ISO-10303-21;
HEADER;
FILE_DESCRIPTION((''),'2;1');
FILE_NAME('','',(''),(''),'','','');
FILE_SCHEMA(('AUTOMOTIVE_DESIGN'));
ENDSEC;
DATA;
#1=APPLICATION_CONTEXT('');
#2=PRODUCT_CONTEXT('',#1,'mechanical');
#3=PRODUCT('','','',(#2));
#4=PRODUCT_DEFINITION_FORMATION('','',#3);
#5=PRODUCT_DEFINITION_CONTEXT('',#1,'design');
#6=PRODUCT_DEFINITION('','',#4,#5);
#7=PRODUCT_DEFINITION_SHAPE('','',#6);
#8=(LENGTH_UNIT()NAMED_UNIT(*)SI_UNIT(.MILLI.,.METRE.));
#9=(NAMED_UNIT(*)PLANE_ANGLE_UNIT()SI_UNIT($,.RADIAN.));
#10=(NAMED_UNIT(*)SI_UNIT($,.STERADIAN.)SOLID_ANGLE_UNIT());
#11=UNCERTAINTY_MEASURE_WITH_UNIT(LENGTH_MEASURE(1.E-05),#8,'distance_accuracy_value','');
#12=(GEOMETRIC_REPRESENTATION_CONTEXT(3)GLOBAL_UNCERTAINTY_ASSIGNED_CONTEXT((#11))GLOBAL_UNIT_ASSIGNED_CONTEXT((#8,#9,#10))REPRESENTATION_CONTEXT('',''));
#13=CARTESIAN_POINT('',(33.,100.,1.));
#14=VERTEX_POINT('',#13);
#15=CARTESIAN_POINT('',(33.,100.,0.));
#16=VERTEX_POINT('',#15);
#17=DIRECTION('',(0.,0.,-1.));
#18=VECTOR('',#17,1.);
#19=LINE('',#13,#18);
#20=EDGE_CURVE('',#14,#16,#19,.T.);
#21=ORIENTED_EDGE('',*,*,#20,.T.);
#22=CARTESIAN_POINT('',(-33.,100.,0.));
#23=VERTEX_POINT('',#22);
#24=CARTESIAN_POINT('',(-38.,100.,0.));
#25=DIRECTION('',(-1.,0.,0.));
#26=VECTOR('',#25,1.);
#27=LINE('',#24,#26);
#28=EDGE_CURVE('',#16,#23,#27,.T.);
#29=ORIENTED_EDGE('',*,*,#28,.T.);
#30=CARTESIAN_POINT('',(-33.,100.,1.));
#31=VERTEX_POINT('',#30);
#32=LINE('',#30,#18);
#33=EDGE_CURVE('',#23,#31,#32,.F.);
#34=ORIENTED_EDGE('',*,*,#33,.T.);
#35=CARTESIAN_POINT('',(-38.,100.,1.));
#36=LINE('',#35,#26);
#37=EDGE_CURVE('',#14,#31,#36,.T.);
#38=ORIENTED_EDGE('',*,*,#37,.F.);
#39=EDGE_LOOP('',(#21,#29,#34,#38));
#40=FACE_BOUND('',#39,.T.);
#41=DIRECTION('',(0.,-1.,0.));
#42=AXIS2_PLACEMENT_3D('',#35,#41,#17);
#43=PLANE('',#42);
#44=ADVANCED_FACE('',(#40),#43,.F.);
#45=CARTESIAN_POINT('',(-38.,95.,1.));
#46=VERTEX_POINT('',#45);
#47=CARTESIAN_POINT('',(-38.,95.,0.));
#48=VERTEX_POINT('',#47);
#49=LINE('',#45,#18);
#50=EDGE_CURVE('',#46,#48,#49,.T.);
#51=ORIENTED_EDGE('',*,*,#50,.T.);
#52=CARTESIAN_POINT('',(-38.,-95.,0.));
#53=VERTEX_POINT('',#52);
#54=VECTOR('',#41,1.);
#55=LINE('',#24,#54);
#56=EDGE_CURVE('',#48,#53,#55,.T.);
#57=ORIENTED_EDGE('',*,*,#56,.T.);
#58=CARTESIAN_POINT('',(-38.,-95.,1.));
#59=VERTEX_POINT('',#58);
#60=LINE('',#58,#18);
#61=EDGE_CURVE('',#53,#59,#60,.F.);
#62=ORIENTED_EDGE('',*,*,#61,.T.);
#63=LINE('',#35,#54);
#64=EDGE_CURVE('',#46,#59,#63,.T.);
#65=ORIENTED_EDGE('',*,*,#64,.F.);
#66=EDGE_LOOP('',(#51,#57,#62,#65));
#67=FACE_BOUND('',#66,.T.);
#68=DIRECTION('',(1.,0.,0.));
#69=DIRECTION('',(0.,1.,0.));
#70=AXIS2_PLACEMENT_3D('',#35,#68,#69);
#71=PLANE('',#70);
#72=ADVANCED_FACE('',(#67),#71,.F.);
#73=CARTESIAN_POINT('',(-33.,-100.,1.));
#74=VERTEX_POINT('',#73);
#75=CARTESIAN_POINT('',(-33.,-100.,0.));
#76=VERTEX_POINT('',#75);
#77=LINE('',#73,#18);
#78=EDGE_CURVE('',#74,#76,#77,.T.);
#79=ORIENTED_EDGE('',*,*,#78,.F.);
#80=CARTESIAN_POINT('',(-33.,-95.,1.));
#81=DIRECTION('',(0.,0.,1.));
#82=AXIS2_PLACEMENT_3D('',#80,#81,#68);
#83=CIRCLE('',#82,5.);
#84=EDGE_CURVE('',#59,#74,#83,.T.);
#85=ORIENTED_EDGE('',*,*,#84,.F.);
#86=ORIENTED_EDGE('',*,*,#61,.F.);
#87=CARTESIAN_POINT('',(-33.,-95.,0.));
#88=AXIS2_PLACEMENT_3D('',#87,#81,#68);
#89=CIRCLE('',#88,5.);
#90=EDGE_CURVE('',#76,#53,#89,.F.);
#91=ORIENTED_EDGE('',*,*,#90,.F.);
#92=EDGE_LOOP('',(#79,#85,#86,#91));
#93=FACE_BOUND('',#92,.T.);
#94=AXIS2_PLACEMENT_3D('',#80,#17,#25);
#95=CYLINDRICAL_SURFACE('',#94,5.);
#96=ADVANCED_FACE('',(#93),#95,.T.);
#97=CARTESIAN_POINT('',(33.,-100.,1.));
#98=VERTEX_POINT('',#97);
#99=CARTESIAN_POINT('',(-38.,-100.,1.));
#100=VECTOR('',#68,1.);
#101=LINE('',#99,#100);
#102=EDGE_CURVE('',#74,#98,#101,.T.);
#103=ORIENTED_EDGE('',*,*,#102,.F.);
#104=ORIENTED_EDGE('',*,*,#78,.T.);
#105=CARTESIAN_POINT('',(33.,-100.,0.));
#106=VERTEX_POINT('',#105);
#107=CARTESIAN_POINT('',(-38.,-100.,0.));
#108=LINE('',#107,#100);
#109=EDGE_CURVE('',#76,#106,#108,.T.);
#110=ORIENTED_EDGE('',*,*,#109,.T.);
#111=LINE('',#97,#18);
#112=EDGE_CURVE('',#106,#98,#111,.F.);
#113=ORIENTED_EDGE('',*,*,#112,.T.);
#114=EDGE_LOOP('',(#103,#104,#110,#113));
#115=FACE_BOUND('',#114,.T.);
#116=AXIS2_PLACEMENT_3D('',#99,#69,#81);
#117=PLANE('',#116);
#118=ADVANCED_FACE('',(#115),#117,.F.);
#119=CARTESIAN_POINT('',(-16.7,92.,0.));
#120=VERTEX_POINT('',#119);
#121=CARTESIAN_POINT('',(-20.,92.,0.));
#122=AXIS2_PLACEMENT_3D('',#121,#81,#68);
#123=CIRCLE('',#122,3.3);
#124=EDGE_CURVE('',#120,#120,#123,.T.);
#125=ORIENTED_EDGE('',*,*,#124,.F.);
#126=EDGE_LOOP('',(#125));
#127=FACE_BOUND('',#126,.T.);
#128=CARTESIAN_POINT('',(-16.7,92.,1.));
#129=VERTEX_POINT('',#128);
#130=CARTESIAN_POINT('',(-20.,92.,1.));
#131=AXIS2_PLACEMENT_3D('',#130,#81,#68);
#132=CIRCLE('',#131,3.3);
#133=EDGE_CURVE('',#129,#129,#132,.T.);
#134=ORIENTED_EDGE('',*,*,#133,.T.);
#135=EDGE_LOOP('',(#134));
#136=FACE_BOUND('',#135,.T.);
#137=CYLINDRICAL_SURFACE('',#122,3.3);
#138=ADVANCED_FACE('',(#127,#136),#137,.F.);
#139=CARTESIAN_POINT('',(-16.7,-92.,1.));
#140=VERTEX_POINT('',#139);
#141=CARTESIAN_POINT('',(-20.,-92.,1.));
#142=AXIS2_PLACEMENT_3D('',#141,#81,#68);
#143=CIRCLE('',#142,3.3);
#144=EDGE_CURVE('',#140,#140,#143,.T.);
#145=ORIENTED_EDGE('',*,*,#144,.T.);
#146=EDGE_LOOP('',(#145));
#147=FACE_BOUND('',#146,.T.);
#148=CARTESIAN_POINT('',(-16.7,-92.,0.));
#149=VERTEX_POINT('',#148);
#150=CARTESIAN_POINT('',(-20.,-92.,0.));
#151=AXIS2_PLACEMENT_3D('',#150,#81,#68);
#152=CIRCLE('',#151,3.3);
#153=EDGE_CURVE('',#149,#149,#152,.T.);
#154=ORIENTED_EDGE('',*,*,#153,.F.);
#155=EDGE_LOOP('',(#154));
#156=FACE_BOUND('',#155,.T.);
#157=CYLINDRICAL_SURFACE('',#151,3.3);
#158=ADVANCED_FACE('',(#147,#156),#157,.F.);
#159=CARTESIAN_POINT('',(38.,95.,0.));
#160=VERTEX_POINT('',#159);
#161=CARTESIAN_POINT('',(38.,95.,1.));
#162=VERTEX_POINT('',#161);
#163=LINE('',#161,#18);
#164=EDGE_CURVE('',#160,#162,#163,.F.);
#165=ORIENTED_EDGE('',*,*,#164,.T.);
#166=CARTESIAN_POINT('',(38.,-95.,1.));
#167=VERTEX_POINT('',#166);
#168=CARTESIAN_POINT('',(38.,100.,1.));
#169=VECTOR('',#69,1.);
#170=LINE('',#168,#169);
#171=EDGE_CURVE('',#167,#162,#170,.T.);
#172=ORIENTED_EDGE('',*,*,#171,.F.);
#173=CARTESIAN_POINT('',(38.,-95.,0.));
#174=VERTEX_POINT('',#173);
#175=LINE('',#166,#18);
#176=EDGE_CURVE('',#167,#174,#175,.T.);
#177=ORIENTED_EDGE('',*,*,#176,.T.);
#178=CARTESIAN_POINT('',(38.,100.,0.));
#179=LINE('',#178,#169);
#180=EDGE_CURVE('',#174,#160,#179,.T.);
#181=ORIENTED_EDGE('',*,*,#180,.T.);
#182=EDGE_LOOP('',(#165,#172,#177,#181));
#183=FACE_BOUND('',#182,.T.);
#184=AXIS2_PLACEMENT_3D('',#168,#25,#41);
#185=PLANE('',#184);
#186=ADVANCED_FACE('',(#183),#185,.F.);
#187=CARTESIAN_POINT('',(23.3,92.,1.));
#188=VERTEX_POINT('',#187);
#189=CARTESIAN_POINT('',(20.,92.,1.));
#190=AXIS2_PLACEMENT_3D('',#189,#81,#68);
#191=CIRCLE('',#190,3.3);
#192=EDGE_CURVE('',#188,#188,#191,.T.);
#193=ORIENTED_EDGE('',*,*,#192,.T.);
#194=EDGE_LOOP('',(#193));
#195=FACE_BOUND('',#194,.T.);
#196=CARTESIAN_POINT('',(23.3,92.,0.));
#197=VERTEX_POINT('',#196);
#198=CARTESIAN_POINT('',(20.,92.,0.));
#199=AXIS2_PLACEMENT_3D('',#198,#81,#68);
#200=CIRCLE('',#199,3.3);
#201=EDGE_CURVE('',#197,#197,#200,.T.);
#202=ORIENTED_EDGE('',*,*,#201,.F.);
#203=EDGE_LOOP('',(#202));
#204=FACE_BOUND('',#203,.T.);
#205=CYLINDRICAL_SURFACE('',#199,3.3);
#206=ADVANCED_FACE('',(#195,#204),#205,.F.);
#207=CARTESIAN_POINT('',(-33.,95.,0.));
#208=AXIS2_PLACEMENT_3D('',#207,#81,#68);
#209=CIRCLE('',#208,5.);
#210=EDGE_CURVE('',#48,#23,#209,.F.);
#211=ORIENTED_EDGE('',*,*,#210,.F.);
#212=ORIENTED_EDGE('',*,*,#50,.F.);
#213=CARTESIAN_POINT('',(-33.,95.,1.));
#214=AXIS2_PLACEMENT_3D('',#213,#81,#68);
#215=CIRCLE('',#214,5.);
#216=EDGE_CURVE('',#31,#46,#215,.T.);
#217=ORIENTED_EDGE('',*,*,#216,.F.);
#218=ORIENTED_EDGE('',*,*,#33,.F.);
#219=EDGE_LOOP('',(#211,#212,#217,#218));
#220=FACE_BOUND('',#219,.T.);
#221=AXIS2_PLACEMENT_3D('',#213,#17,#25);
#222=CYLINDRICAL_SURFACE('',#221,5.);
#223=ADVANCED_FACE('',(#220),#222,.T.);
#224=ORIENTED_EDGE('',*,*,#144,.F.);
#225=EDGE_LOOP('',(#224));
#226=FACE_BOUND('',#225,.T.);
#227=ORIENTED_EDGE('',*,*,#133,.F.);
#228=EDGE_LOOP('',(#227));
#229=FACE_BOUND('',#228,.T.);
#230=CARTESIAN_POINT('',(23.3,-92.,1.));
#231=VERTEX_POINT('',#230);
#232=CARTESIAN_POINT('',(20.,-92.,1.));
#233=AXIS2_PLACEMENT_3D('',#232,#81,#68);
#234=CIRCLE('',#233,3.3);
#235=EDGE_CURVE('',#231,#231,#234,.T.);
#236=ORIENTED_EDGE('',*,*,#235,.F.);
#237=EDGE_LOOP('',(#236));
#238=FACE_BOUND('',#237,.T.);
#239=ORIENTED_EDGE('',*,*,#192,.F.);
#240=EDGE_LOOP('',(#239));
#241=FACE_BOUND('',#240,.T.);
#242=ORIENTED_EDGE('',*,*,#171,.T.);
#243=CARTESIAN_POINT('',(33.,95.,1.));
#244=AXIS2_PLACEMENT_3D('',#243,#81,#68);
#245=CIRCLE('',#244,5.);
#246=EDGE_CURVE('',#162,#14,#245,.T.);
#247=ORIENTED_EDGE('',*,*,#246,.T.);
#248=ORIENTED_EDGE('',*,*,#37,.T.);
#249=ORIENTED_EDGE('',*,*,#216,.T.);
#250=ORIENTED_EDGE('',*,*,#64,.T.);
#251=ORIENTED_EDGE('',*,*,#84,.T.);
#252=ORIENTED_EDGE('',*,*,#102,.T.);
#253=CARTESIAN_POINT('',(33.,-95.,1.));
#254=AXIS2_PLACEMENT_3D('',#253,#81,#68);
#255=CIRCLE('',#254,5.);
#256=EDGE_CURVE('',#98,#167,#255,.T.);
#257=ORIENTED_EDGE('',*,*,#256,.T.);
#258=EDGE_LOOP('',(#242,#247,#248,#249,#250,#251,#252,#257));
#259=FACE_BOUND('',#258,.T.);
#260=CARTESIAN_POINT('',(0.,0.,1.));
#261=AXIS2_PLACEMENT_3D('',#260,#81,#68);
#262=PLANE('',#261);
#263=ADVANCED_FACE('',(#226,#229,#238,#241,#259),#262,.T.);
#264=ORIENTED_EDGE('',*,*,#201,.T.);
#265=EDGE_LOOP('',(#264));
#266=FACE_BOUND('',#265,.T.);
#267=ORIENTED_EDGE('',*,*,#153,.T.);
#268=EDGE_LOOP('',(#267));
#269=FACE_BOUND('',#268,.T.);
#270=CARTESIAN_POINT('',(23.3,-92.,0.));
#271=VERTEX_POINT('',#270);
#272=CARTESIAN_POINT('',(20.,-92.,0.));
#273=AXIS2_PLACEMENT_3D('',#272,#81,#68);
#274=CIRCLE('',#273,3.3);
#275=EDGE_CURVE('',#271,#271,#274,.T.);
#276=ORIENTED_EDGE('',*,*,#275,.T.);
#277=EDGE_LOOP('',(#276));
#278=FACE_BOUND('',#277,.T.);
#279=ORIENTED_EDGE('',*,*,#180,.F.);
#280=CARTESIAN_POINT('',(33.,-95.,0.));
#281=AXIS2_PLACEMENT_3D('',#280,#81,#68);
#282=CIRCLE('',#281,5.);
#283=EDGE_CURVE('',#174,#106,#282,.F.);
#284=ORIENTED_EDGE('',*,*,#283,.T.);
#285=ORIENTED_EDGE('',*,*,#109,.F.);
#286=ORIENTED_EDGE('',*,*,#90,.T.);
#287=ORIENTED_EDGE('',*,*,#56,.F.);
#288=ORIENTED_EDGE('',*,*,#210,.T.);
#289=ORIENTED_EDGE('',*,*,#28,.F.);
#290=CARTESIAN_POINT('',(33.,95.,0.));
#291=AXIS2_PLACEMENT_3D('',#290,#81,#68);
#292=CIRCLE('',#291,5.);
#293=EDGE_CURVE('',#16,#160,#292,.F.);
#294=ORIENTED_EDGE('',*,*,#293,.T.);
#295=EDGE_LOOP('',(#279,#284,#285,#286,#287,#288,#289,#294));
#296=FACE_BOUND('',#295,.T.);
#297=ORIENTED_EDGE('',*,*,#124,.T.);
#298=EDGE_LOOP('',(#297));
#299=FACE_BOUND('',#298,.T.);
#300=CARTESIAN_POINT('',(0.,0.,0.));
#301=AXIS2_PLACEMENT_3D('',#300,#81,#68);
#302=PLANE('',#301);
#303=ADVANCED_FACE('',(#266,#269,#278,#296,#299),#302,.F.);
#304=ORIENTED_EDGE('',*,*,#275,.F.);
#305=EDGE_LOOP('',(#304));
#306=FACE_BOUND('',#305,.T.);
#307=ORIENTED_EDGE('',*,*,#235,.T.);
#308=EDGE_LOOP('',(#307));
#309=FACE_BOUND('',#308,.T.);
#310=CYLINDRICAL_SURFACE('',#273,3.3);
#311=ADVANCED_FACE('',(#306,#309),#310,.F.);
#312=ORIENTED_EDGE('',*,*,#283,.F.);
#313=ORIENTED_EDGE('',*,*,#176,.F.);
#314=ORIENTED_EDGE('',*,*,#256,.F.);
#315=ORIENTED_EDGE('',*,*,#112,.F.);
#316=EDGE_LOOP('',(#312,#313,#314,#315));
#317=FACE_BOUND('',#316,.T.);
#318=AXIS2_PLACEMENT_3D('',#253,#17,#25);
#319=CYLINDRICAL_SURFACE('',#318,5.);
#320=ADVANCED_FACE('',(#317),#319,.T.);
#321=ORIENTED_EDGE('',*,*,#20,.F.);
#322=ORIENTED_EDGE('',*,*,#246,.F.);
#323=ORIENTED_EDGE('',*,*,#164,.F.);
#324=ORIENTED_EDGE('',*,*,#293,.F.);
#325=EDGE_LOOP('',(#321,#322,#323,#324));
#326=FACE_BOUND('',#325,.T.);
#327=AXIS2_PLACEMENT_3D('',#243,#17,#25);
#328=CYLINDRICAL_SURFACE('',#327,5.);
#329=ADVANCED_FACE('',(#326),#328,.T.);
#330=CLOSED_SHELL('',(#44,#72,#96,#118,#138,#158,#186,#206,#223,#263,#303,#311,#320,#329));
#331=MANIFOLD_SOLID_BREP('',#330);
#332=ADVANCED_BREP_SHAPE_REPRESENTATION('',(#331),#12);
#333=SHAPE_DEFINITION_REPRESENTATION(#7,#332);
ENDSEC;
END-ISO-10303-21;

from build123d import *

# Parameters (mm, degrees)
SKETCH_1_W          = 76
SKETCH_1_H          = 200
EXTRUDE_1_DEPTH     = 1
SKETCH_2_R          = 3.3
CUT_EXTRUDE_1_DEPTH = 107.981306778
FILLET_1_R          = 5


with BuildPart() as part:
    # 草图1 → 凸台-拉伸1 (new body)
    with BuildSketch(Plane.XY):
        Rectangle(SKETCH_1_W, SKETCH_1_H)
    extrude(amount=EXTRUDE_1_DEPTH)

    # 草图2 → 切除-拉伸1 (cut, through all)
    with BuildSketch(Plane.XY.offset(1)):
        with Locations((-20, 92)):
            Circle(SKETCH_2_R)
        with Locations((20, 92)):
            Circle(SKETCH_2_R)
        with Locations((-20, -92)):
            Circle(SKETCH_2_R)
        with Locations((20, -92)):
            Circle(SKETCH_2_R)
    extrude(amount=-CUT_EXTRUDE_1_DEPTH, mode=Mode.SUBTRACT)

    # 圆角1
    fillet_1_edges = [part.edges().sort_by_distance(p)[0] for p in [
        (38, -100, 0.5),
        (-38, -100, 0.5),
        (-38, 100, 0.5),
        (38, 100, 0.5),
    ]]
    fillet(fillet_1_edges, radius=FILLET_1_R)


solid = part.part
